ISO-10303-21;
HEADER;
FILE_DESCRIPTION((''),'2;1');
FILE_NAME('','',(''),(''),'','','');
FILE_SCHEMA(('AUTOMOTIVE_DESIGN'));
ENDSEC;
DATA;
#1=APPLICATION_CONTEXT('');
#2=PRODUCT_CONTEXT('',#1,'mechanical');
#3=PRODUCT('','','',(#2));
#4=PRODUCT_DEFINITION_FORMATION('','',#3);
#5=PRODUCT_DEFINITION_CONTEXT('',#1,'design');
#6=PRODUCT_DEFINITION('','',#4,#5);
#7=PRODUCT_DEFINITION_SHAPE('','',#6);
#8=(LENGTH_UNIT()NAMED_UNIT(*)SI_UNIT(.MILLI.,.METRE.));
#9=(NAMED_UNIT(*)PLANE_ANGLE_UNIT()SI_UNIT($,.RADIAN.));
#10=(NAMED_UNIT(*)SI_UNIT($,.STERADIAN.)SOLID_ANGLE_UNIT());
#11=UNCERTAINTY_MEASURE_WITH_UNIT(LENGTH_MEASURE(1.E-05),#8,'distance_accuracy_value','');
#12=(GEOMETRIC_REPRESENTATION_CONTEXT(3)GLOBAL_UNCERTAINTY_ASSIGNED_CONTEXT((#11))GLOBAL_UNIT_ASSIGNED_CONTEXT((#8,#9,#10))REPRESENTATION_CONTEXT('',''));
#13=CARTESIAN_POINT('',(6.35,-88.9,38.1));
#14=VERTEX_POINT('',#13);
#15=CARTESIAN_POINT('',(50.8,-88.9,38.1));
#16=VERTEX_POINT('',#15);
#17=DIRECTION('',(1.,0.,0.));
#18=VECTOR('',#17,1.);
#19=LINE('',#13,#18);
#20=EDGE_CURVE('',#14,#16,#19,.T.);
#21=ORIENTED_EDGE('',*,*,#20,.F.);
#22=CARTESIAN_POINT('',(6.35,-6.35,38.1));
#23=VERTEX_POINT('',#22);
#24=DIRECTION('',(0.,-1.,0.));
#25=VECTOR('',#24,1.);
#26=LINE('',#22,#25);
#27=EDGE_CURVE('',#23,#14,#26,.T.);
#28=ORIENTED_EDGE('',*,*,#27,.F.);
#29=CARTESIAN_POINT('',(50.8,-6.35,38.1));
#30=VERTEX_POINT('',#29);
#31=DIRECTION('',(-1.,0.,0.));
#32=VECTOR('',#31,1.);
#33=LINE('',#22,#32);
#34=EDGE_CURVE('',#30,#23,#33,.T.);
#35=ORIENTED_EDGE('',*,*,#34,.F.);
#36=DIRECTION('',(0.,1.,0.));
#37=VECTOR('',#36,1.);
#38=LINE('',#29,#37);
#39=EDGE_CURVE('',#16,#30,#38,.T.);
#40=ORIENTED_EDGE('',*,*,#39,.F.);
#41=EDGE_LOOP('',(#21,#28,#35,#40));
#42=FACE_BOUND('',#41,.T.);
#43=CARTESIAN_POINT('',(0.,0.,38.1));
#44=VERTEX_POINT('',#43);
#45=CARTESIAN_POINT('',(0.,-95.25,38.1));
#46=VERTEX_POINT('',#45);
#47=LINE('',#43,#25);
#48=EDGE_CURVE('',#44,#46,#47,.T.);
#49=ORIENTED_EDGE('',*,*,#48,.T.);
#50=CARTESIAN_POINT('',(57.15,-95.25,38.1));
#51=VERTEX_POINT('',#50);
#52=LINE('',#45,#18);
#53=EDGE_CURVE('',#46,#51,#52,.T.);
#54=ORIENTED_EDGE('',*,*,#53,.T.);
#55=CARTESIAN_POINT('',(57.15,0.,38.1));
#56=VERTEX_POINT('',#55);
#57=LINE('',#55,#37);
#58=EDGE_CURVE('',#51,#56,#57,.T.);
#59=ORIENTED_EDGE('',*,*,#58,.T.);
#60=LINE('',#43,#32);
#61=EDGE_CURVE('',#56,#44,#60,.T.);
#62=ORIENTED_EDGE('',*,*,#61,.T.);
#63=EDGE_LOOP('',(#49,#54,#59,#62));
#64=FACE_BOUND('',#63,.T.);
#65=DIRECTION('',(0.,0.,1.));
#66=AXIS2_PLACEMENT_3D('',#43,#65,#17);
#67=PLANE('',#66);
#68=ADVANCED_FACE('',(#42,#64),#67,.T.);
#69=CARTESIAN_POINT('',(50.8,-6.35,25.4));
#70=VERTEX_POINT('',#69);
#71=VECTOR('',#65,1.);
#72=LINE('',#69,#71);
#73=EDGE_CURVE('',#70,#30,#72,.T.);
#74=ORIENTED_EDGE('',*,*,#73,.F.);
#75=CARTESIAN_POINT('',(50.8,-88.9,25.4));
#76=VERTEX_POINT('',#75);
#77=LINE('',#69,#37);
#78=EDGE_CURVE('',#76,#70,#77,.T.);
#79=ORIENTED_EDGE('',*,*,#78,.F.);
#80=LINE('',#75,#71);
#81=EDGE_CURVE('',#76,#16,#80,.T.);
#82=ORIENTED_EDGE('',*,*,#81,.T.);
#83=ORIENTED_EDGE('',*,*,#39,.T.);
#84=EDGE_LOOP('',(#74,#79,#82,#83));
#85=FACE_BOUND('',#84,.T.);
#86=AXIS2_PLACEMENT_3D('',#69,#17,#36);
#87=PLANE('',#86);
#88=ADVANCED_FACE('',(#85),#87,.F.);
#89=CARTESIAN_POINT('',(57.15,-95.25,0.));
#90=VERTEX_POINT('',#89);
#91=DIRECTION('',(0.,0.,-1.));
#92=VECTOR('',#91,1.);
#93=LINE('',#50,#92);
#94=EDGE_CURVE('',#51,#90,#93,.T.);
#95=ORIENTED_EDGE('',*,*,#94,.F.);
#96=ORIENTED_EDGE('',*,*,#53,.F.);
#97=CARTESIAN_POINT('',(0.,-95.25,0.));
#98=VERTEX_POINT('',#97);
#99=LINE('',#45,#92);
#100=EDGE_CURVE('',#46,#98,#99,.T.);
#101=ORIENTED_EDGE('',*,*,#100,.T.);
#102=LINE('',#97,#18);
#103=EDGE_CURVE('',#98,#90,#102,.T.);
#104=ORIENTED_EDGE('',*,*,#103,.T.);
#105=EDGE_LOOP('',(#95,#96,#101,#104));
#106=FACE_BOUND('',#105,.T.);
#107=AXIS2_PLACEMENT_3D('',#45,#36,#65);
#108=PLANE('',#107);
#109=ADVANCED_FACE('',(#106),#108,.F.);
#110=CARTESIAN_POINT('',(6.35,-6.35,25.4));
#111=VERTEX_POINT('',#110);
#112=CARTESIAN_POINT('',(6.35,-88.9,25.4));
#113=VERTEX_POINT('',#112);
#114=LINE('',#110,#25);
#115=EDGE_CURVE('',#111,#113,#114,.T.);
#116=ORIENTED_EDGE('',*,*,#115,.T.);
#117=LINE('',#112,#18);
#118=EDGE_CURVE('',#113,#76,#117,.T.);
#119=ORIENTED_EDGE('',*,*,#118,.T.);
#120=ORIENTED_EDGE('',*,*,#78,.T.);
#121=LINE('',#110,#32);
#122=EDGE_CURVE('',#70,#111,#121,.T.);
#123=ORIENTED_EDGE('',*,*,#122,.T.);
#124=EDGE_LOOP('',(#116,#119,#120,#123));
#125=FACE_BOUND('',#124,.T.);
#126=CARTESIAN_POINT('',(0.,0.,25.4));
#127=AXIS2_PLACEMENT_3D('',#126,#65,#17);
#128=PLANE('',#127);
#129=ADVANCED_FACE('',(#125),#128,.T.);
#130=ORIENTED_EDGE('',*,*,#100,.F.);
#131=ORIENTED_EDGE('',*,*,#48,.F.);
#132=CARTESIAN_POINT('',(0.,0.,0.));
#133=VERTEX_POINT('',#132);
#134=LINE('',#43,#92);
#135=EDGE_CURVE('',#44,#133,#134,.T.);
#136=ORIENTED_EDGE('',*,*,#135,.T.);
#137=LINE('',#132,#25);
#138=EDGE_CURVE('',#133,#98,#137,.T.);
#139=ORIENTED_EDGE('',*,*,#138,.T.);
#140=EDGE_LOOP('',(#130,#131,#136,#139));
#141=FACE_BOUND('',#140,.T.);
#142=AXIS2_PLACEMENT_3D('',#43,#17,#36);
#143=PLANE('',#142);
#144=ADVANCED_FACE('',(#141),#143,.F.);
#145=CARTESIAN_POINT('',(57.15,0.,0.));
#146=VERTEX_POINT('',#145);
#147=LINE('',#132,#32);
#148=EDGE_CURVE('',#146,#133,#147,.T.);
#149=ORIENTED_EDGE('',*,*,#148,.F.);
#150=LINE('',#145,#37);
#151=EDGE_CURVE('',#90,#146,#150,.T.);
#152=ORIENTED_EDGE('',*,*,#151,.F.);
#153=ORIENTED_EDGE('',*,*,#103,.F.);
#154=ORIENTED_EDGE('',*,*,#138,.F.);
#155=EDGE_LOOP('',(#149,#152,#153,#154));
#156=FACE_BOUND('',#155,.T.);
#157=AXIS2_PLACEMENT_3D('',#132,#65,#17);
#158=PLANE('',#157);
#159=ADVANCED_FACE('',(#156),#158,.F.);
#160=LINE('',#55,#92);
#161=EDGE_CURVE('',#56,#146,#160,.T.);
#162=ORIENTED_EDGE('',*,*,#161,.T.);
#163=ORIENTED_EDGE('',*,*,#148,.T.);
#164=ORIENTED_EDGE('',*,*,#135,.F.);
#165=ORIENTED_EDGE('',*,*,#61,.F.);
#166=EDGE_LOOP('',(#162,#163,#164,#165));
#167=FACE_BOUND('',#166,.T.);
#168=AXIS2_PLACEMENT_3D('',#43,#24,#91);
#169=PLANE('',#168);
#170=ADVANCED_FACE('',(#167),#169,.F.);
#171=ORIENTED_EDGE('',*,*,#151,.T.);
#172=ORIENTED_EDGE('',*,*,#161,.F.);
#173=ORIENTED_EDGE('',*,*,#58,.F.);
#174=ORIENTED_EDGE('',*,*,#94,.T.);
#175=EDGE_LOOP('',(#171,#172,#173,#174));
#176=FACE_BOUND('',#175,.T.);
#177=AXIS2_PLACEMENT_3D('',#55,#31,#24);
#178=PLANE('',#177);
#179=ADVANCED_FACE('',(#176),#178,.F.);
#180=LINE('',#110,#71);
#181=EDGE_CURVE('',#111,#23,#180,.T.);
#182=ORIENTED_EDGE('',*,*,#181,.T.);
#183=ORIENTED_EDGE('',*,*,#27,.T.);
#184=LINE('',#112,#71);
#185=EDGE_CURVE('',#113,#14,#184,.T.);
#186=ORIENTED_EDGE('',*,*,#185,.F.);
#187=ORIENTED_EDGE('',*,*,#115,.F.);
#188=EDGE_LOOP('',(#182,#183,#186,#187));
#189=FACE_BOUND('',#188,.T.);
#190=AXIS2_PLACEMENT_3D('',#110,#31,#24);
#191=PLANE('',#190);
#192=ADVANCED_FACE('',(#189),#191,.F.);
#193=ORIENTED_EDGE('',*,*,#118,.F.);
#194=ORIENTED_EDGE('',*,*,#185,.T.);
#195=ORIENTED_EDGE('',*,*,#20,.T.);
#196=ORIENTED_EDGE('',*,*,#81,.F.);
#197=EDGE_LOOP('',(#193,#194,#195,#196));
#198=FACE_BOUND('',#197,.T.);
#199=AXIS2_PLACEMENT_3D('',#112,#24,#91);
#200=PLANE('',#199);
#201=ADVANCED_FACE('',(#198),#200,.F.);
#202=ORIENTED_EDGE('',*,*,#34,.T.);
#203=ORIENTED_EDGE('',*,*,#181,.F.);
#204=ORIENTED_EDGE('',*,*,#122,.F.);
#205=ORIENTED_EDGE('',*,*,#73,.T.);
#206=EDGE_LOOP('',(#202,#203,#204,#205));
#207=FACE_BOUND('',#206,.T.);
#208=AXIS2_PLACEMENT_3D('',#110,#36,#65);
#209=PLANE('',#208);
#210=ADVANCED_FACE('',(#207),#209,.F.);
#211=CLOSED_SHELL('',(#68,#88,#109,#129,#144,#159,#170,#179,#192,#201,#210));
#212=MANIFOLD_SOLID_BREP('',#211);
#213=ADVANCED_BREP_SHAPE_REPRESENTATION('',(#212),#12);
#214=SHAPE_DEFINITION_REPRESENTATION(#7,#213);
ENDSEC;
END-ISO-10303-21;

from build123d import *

# Parameters (mm, degrees)
SKETCH1_W           = 57.15
SKETCH1_H           = 95.25
BOSS_EXTRUDE1_DEPTH = 38.1
SKETCH2_W           = 44.45
SKETCH2_H           = 82.55
CUT_EXTRUDE1_DEPTH  = 12.7


with BuildPart() as part:
    # Sketch1 → Boss-Extrude1 (new body)
    with BuildSketch(Plane.XY):
        with Locations((28.575, -47.625)):
            Rectangle(SKETCH1_W, SKETCH1_H)
    extrude(amount=BOSS_EXTRUDE1_DEPTH)

    # Sketch2 → Cut-Extrude1 (cut)
    with BuildSketch(Plane.XY.offset(38.1)):
        with Locations((28.575, -47.625)):
            Rectangle(SKETCH2_W, SKETCH2_H)
    extrude(amount=-CUT_EXTRUDE1_DEPTH, mode=Mode.SUBTRACT)


solid = part.part
